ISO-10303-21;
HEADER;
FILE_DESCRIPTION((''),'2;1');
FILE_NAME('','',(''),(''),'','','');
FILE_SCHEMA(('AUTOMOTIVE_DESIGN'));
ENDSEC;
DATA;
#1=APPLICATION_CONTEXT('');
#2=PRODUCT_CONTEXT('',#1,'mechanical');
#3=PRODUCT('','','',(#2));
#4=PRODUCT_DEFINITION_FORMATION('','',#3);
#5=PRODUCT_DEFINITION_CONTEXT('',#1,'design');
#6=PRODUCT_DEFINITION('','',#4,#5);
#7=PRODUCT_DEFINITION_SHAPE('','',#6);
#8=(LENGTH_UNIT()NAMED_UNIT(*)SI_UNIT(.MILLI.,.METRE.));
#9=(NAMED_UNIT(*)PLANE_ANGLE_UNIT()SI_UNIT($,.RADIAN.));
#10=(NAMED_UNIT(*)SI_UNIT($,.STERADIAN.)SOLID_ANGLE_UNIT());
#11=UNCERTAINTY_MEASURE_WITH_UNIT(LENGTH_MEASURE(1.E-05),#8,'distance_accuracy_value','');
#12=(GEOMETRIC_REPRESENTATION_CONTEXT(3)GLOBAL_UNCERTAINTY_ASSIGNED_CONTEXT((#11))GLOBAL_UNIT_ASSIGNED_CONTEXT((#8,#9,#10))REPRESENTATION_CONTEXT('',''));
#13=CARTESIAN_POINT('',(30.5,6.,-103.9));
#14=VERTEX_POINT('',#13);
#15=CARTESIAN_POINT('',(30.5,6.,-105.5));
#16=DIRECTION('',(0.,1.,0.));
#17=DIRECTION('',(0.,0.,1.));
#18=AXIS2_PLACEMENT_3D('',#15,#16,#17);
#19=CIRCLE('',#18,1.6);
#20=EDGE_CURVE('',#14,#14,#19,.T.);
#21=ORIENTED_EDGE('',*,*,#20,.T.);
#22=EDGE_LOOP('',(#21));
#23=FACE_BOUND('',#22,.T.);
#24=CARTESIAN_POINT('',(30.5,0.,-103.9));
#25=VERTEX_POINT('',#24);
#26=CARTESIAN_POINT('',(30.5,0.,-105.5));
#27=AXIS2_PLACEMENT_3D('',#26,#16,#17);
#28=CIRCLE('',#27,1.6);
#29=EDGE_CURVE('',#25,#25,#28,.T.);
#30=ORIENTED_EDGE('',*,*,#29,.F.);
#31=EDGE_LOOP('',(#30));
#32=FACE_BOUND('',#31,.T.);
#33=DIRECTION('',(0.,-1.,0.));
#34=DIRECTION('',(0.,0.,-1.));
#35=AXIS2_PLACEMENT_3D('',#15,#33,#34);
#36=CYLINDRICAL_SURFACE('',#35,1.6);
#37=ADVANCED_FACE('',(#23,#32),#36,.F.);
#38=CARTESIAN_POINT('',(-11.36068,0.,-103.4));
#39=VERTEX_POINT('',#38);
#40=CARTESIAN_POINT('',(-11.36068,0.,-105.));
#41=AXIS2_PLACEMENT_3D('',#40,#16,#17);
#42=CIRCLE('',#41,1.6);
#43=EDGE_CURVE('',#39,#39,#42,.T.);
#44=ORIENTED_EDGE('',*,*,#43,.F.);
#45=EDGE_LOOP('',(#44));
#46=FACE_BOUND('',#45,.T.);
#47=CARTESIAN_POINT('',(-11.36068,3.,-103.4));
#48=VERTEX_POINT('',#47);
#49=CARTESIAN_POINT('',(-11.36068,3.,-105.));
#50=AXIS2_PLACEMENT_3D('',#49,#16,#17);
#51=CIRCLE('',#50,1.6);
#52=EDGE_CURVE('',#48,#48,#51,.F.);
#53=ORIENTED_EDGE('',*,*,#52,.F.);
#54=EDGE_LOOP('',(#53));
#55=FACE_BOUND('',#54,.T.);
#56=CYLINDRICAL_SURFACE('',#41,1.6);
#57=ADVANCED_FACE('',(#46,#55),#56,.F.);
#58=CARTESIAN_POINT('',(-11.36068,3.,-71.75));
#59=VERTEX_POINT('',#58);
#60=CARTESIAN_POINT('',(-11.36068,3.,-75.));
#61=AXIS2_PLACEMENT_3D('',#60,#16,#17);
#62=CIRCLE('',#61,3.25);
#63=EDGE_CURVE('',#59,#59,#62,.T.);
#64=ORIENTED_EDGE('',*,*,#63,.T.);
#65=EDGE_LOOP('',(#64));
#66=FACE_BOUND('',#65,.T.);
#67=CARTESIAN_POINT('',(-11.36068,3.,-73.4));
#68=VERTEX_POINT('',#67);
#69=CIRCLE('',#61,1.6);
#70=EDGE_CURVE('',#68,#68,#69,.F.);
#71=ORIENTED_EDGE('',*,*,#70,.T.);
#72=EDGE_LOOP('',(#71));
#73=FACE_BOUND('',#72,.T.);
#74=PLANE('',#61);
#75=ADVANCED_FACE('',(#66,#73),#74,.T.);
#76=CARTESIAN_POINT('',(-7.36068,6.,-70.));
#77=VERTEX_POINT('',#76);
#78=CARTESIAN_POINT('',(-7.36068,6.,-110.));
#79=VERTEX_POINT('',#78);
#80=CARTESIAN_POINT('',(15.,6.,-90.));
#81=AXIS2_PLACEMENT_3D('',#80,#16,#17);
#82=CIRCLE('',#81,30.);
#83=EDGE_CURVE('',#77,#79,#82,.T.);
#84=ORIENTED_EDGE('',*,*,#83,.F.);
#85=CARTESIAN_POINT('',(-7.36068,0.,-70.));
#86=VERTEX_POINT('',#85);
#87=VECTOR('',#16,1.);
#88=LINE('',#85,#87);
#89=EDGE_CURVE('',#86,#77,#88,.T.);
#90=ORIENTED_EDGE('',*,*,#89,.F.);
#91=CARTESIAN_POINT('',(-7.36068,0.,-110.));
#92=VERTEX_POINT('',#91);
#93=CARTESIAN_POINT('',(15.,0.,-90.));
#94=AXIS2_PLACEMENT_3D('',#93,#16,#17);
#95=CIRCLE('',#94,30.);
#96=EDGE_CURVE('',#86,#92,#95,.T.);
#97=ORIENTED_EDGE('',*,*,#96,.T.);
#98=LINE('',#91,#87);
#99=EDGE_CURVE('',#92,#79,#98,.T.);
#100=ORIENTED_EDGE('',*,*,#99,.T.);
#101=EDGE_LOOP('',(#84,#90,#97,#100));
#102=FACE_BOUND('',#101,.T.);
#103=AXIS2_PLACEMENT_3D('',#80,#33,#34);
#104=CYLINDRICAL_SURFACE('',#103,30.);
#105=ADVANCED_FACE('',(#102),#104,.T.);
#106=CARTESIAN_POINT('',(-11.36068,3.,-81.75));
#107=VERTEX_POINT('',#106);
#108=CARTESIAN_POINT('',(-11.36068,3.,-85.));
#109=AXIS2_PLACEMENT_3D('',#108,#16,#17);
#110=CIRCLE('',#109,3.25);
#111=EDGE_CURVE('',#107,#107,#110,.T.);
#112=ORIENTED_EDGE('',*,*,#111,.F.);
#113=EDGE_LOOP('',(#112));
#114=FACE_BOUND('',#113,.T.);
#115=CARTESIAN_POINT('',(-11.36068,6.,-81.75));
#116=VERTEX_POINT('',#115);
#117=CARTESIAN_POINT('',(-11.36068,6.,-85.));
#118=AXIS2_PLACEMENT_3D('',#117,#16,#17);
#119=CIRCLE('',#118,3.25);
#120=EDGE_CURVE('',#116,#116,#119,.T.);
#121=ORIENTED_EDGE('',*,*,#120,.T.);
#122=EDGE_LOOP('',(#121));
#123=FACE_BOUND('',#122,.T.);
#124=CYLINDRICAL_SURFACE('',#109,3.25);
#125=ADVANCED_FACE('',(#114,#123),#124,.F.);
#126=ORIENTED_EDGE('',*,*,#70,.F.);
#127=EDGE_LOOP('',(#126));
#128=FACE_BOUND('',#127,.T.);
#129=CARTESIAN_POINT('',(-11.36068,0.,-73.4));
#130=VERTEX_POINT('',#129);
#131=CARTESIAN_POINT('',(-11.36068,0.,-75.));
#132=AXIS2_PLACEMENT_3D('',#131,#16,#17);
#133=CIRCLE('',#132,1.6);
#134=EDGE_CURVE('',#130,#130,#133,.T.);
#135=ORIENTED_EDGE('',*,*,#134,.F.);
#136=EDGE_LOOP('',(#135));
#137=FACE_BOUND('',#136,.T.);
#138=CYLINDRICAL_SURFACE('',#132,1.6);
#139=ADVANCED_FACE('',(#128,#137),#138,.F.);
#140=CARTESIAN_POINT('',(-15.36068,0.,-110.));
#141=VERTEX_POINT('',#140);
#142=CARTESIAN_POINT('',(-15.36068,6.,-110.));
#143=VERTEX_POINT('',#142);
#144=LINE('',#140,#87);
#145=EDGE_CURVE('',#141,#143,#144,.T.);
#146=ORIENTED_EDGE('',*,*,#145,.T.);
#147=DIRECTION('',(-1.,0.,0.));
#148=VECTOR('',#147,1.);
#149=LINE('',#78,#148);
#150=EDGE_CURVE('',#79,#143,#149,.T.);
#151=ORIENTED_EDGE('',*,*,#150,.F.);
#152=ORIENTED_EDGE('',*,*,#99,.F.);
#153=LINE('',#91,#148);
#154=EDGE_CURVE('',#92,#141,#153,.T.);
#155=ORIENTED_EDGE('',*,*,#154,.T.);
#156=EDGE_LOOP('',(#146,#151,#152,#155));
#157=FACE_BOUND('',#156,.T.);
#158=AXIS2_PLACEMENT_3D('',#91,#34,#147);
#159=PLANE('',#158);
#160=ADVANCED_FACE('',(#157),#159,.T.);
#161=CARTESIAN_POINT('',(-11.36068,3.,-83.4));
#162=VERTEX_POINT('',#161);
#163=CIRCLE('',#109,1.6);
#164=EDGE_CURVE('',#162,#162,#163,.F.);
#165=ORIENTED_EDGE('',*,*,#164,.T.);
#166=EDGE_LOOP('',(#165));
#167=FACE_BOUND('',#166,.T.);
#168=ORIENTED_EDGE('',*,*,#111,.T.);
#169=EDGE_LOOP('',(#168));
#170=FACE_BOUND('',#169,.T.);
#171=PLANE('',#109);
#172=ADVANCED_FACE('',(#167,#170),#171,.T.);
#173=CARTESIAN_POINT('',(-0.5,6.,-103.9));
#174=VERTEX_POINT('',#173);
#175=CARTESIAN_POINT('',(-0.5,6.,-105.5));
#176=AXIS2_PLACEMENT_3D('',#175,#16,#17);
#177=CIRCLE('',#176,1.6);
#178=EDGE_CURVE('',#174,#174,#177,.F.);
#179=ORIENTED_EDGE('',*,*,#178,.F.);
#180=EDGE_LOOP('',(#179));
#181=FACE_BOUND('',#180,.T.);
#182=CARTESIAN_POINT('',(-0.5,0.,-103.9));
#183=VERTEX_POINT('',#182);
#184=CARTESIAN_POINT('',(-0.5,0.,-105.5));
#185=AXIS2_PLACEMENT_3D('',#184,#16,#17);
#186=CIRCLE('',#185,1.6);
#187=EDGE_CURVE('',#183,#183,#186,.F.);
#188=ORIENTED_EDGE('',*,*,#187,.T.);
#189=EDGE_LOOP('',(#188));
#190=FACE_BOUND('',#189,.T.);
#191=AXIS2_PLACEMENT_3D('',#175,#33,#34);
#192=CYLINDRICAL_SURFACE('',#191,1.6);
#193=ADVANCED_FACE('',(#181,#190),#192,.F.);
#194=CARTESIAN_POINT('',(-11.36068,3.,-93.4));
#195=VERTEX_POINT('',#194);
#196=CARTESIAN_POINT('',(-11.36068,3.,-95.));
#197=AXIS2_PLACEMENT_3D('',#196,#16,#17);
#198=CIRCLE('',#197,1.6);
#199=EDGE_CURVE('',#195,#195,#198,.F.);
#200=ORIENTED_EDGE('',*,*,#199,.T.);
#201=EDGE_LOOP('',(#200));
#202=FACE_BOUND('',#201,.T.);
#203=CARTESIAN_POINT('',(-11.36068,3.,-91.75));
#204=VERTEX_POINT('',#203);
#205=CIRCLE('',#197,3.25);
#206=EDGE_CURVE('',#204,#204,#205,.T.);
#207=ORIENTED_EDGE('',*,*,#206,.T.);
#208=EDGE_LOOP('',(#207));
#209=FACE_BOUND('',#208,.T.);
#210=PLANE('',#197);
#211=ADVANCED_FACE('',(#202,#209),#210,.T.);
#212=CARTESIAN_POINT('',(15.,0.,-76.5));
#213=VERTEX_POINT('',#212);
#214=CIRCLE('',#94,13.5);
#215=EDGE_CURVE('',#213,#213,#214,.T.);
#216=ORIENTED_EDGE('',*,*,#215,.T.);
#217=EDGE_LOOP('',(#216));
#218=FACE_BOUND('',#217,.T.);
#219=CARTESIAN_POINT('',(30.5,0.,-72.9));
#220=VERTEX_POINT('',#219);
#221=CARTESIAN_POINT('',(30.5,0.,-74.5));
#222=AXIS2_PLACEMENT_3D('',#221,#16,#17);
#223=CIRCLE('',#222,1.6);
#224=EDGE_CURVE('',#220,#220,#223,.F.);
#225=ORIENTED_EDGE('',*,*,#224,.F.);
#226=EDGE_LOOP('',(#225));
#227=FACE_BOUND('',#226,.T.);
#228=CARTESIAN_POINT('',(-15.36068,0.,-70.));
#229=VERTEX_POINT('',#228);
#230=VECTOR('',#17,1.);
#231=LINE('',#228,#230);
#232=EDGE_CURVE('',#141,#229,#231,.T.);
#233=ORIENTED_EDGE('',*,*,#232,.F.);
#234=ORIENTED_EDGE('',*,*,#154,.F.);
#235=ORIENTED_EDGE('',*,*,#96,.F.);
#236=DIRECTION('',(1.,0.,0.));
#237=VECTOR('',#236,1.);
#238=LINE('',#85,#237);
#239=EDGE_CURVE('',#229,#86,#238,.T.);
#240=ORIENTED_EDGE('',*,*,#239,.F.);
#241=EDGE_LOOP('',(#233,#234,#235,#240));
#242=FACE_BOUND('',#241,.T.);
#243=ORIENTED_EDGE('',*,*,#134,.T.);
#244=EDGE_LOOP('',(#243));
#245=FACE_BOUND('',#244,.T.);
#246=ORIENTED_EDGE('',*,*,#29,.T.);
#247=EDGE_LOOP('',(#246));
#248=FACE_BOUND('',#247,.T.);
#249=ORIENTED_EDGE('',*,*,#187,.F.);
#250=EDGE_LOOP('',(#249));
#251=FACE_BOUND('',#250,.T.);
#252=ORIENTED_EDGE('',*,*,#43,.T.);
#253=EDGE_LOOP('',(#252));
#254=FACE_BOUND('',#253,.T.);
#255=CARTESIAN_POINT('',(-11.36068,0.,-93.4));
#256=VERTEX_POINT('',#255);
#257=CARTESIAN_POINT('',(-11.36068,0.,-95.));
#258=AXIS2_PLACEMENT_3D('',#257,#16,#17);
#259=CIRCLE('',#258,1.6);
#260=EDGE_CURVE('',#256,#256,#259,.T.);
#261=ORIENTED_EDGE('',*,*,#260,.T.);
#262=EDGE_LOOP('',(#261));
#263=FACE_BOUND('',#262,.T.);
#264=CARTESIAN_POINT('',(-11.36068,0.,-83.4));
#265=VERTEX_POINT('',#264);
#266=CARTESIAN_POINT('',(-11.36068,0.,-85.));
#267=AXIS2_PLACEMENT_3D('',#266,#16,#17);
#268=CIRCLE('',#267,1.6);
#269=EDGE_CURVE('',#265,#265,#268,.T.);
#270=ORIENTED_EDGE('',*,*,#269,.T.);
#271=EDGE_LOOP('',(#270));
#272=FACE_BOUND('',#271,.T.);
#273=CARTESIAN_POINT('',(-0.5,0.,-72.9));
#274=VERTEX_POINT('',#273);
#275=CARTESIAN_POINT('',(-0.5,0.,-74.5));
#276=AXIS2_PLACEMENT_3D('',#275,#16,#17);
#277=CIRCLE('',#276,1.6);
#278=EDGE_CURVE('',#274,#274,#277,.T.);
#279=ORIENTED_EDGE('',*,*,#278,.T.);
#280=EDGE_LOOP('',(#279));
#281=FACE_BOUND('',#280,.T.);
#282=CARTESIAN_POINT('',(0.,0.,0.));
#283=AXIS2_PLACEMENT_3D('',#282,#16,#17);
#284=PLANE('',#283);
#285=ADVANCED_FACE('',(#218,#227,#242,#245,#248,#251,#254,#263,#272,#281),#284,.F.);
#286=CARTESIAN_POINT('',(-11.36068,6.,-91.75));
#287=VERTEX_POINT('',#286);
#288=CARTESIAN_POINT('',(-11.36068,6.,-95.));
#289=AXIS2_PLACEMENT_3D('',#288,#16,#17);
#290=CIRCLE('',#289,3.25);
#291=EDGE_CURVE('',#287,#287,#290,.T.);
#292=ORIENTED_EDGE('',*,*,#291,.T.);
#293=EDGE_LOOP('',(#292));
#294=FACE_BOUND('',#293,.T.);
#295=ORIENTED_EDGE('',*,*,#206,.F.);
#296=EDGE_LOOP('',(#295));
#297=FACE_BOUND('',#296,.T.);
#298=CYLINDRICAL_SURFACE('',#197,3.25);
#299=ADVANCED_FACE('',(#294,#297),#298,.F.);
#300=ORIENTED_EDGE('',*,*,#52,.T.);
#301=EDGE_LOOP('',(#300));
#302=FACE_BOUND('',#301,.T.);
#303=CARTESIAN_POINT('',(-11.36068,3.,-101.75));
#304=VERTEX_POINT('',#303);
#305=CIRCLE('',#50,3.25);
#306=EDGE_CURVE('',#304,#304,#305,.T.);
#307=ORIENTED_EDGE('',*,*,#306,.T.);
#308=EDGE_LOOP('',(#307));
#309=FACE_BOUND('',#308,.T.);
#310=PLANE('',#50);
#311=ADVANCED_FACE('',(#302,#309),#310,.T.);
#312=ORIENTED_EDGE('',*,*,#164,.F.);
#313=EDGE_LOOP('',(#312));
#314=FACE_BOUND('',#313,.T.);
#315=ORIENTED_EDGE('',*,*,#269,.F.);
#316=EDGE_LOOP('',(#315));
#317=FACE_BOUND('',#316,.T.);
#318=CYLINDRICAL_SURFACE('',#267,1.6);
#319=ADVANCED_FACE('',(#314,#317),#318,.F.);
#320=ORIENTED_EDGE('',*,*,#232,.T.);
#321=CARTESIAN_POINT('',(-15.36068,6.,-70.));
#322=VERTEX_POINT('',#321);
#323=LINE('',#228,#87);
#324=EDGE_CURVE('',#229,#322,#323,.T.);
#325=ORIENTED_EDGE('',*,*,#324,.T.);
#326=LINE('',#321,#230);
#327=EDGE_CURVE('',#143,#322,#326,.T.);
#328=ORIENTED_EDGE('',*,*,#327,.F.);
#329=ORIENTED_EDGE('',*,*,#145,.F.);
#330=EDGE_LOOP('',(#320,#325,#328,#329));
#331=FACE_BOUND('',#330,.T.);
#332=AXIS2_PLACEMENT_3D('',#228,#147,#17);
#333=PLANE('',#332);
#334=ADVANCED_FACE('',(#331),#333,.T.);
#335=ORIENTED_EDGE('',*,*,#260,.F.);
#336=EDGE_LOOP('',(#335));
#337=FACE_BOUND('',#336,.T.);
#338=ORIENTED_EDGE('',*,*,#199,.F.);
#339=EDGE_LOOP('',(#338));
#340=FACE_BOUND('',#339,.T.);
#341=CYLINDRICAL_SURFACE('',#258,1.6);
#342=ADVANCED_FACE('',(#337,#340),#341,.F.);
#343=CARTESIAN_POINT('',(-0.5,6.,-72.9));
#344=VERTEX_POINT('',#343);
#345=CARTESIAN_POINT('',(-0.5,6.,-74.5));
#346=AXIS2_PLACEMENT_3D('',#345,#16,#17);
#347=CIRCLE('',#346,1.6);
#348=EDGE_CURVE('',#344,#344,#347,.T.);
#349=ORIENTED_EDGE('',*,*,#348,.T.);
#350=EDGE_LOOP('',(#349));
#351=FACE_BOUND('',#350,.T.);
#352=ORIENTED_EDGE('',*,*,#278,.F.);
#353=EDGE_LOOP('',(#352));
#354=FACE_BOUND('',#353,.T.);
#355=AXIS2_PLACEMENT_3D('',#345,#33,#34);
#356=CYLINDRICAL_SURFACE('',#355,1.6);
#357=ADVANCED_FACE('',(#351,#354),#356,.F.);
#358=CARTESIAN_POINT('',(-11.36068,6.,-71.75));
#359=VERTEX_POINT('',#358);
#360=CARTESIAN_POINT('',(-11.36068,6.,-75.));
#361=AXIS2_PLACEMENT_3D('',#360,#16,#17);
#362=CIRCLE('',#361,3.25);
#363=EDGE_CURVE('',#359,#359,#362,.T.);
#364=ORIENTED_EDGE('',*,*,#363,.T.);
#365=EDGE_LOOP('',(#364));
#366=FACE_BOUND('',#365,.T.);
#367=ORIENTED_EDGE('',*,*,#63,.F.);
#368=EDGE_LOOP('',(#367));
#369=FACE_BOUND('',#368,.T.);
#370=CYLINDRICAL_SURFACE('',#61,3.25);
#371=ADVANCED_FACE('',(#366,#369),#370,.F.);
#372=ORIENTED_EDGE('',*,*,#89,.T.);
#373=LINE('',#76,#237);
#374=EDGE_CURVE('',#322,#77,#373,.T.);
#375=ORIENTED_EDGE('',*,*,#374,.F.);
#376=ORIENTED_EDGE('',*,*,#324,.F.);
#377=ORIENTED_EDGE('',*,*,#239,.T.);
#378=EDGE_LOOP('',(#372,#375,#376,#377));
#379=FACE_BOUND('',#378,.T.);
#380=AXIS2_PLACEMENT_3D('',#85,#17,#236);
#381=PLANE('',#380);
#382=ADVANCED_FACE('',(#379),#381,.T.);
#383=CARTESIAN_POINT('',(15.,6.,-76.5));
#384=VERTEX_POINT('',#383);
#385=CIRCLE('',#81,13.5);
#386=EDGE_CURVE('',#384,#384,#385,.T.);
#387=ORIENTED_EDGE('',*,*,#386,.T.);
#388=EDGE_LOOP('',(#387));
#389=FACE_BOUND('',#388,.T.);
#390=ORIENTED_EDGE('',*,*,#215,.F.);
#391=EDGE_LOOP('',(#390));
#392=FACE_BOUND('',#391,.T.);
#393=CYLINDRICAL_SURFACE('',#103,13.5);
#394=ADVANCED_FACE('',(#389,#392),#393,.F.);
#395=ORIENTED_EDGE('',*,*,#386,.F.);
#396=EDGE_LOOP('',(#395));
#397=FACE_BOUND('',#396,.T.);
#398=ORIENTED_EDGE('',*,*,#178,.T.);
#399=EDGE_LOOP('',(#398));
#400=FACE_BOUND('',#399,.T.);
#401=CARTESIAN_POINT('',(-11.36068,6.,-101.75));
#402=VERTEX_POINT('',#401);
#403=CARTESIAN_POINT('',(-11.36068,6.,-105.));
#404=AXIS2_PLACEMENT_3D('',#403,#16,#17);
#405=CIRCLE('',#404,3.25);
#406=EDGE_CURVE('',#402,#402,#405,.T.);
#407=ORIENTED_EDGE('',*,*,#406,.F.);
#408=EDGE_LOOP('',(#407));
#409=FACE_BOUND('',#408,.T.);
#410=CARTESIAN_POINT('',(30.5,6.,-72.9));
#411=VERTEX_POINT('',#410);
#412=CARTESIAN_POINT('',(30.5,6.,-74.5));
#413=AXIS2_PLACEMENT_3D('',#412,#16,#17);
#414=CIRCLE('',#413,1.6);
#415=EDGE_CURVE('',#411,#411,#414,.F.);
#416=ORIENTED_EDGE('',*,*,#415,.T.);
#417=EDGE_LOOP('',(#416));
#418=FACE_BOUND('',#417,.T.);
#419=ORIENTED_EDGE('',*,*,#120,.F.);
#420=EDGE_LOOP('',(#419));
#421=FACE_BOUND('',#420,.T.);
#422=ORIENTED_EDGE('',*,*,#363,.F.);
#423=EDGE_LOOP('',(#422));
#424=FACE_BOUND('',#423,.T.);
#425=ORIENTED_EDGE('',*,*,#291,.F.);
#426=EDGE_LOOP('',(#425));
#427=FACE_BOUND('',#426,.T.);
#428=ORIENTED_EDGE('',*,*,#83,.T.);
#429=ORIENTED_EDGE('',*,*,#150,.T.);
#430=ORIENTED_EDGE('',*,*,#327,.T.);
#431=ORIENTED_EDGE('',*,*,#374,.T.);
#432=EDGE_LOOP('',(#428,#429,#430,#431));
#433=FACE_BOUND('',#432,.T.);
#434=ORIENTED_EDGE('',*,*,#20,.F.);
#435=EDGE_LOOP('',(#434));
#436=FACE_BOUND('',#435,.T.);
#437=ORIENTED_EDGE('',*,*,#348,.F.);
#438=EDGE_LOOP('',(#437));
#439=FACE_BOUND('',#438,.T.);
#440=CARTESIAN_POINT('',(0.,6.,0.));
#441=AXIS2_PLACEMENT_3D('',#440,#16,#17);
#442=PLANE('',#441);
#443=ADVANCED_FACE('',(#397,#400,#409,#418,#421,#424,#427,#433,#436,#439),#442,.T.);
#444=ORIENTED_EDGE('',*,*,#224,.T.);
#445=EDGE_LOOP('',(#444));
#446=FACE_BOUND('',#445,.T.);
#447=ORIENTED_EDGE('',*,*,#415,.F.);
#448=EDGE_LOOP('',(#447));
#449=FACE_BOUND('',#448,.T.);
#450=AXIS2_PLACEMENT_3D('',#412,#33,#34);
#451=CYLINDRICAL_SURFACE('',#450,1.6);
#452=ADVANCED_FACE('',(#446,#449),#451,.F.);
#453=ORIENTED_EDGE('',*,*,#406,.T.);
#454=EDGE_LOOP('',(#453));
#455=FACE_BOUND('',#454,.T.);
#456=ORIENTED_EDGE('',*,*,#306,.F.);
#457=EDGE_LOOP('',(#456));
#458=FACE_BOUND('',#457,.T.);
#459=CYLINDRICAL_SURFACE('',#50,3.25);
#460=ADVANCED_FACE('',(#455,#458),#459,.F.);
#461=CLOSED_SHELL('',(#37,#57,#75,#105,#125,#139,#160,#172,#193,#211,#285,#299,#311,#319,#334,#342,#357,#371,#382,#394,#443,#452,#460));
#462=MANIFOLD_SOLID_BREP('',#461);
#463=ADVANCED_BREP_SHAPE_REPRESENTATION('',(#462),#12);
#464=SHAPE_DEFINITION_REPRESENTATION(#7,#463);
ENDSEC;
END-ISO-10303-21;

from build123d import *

# Parameters (mm, degrees)
SKETCH_1_R          = 30
SKETCH_1_R_2        = 1.6
SKETCH_1_R_3        = 13.5
EXTRUDE_1_DEPTH     = 6
SKETCH_2_W          = 8
SKETCH_2_H          = 40
EXTRUDE_2_DEPTH     = 6
SKETCH_3_R          = 1.6
CUT_EXTRUDE_1_DEPTH = 6
SKETCH_4_R          = 3.25
CUT_EXTRUDE_2_DEPTH = 3


with BuildPart() as part:
    # 草图1 → 凸台-拉伸1 (new body)
    with BuildSketch(Plane(origin=(0, 0, 0), x_dir=(1, 0, 0), z_dir=(0, 1, 0))):
        with Locations(Location((15, 90, 0), (0, 0, 270))):
            Circle(SKETCH_1_R)
        with Locations(Location((30.5, 105.5, 0), (0, 0, 270))):
            Circle(SKETCH_1_R_2, mode=Mode.SUBTRACT)
        with Locations(Location((-0.5, 105.5, 0), (0, 0, 270))):
            Circle(SKETCH_1_R_2, mode=Mode.SUBTRACT)
        with Locations(Location((15, 90, 0), (0, 0, 270))):
            Circle(SKETCH_1_R_3, mode=Mode.SUBTRACT)
        with Locations(Location((30.5, 74.5, 0), (0, 0, 270))):
            Circle(SKETCH_1_R_2, mode=Mode.SUBTRACT)
        with Locations(Location((-0.5, 74.5, 0), (0, 0, 270))):
            Circle(SKETCH_1_R_2, mode=Mode.SUBTRACT)
    extrude(amount=EXTRUDE_1_DEPTH)

    # 草图2 → 凸台-拉伸2 (add)
    with BuildSketch(Plane(origin=(0, 6, 0), x_dir=(1, 0, 0), z_dir=(0, 1, 0))):
        with Locations((-11.360679775, 90)):
            Rectangle(SKETCH_2_W, SKETCH_2_H)
    extrude(amount=-EXTRUDE_2_DEPTH)

    # 草图3 → 切除-拉伸1 (cut)
    with BuildSketch(Plane(origin=(0, 6, 0), x_dir=(1, 0, 0), z_dir=(0, 1, 0))):
        with Locations(Location((-11.360679775, 105, 0), (0, 0, 270))):
            Circle(SKETCH_3_R)
        with Locations(Location((-11.360679775, 95, 0), (0, 0, 270))):
            Circle(SKETCH_3_R)
        with Locations(Location((-11.360679775, 85, 0), (0, 0, 270))):
            Circle(SKETCH_3_R)
        with Locations(Location((-11.360679775, 75, 0), (0, 0, 270))):
            Circle(SKETCH_3_R)
    extrude(amount=-CUT_EXTRUDE_1_DEPTH, mode=Mode.SUBTRACT)

    # 草图4 → 切除-拉伸2 (cut)
    with BuildSketch(Plane(origin=(0, 6, 0), x_dir=(1, 0, 0), z_dir=(0, 1, 0))):
        with Locations(Location((-11.360679775, 105, 0), (0, 0, 270))):
            Circle(SKETCH_4_R)
        with Locations(Location((-11.360679775, 95, 0), (0, 0, 270))):
            Circle(SKETCH_4_R)
        with Locations(Location((-11.360679775, 85, 0), (0, 0, 270))):
            Circle(SKETCH_4_R)
        with Locations(Location((-11.360679775, 75, 0), (0, 0, 270))):
            Circle(SKETCH_4_R)
    extrude(amount=-CUT_EXTRUDE_2_DEPTH, mode=Mode.SUBTRACT)


solid = part.part
